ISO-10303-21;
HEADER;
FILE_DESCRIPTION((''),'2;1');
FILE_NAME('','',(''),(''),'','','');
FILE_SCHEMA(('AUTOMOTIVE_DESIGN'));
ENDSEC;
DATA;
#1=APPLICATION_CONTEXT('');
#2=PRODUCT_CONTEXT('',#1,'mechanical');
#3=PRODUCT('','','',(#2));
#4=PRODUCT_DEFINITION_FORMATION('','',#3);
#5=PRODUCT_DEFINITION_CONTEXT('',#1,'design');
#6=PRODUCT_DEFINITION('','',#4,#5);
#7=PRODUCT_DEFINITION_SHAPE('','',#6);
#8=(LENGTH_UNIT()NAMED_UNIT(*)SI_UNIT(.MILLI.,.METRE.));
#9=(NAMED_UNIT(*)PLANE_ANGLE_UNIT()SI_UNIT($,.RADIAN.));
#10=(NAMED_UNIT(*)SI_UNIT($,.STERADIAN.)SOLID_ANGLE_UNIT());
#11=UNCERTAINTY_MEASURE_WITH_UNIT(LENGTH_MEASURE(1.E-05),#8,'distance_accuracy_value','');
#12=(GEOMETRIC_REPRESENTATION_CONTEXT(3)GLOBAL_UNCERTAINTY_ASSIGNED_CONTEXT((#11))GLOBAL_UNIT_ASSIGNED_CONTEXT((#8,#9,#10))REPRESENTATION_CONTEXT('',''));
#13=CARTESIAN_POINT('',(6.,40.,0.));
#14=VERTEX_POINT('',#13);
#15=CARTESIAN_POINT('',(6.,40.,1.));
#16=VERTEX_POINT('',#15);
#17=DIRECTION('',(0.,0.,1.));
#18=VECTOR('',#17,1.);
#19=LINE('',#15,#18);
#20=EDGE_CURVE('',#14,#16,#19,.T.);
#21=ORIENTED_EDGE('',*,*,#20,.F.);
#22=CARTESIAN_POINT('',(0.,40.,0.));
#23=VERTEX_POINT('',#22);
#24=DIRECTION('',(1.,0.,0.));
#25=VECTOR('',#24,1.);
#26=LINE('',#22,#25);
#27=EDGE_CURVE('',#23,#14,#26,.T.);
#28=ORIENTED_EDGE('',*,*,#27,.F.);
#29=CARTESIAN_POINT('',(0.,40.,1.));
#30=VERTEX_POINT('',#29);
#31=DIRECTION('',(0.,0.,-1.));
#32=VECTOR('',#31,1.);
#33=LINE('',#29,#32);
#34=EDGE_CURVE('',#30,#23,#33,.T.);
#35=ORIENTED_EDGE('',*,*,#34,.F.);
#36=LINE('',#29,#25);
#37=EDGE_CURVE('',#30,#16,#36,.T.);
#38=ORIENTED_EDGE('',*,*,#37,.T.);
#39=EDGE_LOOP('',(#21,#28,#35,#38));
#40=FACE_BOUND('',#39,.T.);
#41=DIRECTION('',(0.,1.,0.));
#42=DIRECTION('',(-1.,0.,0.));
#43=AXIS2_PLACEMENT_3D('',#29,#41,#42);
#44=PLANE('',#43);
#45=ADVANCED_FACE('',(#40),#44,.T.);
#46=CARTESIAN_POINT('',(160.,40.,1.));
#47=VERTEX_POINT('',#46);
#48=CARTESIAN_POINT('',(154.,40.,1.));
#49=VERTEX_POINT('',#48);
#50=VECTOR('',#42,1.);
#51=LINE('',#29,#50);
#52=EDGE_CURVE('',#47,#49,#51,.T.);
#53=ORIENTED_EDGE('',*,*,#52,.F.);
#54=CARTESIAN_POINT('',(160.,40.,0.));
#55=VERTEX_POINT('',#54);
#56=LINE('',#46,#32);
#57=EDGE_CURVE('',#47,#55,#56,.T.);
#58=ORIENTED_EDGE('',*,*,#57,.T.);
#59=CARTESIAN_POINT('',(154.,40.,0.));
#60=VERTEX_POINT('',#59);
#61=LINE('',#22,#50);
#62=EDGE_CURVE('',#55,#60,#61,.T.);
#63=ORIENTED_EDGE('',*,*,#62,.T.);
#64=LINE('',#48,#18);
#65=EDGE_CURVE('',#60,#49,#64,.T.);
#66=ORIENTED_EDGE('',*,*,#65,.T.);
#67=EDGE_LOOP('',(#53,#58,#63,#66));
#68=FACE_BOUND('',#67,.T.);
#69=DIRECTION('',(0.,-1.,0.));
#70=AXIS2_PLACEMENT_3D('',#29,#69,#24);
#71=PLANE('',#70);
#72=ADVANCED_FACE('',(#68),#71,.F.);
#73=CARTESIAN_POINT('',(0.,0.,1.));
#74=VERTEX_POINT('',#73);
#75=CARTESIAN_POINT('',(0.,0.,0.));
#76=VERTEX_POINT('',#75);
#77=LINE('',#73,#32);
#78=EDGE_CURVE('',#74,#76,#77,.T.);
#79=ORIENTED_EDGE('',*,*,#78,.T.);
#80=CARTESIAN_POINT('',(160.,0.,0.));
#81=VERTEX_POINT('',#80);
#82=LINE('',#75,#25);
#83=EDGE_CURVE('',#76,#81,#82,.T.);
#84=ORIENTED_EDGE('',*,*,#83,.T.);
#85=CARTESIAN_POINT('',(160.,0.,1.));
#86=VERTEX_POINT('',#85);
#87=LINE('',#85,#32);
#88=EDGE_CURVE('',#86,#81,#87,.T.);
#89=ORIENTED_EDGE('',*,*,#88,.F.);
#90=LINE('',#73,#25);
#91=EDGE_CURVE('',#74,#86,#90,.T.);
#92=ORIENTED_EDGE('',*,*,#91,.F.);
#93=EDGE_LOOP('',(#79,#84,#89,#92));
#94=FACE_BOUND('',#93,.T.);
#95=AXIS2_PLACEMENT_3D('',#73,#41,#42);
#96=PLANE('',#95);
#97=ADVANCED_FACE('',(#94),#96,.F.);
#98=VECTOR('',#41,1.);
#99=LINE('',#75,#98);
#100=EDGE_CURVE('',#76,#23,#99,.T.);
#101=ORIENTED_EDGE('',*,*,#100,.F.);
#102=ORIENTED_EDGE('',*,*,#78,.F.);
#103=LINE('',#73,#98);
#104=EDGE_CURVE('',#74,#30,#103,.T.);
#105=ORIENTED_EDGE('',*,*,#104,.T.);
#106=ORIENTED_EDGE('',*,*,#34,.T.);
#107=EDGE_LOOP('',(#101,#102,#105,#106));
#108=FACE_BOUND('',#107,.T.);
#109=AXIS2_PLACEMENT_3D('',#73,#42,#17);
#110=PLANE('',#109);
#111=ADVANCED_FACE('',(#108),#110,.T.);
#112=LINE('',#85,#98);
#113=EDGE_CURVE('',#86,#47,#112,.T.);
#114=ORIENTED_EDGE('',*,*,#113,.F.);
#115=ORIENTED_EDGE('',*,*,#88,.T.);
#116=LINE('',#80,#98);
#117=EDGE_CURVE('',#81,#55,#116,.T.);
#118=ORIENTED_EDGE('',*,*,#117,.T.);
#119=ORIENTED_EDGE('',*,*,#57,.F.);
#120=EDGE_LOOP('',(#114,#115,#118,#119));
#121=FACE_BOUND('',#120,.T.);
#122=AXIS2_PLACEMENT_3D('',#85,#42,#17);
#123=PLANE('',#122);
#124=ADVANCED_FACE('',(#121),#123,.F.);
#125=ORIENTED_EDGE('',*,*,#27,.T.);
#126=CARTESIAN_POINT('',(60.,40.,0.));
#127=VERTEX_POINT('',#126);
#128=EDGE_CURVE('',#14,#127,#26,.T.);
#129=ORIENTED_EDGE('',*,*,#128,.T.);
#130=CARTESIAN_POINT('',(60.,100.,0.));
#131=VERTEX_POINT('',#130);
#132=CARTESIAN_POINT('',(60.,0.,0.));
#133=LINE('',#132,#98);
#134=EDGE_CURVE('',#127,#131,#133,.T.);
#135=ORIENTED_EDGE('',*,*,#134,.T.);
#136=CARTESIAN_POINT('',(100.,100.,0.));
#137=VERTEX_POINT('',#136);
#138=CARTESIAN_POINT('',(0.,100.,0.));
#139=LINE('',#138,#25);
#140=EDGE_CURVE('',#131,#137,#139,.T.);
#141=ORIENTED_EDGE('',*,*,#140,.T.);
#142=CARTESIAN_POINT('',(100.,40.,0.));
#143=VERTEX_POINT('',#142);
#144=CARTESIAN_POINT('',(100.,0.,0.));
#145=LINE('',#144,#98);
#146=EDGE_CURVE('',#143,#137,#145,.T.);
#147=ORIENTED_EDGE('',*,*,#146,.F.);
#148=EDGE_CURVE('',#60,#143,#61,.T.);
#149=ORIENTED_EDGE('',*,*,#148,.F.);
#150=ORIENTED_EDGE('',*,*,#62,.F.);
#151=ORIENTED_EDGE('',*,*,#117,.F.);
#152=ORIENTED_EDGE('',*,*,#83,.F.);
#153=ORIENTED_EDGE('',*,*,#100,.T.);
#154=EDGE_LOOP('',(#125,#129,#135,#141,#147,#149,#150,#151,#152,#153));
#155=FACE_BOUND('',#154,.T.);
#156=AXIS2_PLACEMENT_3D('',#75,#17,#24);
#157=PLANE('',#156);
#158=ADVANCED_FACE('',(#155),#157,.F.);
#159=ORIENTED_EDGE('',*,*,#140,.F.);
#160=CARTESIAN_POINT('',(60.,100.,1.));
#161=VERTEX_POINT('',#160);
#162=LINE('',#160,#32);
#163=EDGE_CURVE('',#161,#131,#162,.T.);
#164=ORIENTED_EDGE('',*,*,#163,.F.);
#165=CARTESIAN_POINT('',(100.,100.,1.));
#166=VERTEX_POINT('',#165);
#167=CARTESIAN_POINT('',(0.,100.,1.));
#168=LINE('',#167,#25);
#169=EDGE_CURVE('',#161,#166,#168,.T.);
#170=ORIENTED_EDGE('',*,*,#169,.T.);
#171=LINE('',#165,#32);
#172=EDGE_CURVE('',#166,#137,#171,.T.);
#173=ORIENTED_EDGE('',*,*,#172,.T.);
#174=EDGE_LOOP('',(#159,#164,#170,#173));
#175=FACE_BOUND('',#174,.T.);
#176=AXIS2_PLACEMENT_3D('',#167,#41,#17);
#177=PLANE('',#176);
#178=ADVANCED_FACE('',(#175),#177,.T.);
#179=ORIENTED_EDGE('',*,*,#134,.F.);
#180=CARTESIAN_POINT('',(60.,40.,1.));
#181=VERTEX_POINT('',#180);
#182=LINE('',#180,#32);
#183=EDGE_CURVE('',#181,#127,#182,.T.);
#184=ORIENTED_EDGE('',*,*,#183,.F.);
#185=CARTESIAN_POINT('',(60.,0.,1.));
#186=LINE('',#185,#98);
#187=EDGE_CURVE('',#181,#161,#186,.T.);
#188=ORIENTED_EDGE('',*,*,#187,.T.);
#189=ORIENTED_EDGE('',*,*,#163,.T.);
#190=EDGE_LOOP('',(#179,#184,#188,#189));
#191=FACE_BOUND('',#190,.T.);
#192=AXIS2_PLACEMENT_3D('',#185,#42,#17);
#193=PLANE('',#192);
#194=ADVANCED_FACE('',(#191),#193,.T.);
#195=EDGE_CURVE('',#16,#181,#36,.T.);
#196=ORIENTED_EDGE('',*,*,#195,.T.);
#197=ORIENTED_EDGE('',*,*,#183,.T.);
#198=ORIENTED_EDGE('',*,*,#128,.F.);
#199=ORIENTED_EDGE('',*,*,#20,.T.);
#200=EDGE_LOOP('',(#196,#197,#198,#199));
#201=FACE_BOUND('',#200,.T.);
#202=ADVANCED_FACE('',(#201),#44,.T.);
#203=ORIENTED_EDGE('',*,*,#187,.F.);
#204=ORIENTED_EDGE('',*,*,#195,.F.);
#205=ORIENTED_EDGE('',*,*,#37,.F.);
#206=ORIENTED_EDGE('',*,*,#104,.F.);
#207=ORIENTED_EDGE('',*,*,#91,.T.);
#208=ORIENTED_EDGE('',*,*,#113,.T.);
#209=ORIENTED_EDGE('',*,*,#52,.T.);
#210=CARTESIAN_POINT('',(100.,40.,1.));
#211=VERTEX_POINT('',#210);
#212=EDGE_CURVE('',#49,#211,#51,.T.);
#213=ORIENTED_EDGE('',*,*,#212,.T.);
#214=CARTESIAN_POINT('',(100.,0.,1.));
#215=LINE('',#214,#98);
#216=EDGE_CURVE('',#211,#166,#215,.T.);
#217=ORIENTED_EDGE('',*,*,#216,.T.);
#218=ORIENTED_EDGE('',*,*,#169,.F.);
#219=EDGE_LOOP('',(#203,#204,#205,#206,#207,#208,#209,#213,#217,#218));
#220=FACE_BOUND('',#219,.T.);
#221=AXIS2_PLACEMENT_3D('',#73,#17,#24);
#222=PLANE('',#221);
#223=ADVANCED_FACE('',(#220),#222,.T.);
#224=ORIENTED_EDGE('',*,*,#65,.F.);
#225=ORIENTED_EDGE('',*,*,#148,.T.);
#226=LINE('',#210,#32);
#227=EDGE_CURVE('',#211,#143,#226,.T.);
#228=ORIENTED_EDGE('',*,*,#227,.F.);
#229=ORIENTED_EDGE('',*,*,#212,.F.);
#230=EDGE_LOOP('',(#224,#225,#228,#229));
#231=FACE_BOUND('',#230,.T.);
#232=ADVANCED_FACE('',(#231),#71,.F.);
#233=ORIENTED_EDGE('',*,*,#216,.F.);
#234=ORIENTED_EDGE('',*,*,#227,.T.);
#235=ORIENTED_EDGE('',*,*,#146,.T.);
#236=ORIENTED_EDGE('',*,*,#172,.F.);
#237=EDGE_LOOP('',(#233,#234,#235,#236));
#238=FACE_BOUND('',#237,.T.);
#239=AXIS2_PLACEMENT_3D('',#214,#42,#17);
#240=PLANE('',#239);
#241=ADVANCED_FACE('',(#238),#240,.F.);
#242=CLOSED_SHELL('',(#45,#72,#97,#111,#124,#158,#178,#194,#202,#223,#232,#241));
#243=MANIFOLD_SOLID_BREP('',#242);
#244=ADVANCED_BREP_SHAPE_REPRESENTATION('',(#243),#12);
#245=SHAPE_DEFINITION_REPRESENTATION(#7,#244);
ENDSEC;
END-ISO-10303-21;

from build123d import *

# Parameters (mm, degrees)
BOSS_EXTRUDE1_DEPTH = 1


with BuildPart() as part:
    # Sketch1 → Boss-Extrude1 (new body)
    with BuildSketch(Plane.XY):
        Polygon((80, 0), (80, 100), (60, 100), (60, 40), (0, 40), (0, 0), align=None)
        Polygon((100, 100), (80, 100), (80, 0), (160, 0), (160, 40), (100, 40), align=None)
    extrude(amount=BOSS_EXTRUDE1_DEPTH)


solid = part.part
